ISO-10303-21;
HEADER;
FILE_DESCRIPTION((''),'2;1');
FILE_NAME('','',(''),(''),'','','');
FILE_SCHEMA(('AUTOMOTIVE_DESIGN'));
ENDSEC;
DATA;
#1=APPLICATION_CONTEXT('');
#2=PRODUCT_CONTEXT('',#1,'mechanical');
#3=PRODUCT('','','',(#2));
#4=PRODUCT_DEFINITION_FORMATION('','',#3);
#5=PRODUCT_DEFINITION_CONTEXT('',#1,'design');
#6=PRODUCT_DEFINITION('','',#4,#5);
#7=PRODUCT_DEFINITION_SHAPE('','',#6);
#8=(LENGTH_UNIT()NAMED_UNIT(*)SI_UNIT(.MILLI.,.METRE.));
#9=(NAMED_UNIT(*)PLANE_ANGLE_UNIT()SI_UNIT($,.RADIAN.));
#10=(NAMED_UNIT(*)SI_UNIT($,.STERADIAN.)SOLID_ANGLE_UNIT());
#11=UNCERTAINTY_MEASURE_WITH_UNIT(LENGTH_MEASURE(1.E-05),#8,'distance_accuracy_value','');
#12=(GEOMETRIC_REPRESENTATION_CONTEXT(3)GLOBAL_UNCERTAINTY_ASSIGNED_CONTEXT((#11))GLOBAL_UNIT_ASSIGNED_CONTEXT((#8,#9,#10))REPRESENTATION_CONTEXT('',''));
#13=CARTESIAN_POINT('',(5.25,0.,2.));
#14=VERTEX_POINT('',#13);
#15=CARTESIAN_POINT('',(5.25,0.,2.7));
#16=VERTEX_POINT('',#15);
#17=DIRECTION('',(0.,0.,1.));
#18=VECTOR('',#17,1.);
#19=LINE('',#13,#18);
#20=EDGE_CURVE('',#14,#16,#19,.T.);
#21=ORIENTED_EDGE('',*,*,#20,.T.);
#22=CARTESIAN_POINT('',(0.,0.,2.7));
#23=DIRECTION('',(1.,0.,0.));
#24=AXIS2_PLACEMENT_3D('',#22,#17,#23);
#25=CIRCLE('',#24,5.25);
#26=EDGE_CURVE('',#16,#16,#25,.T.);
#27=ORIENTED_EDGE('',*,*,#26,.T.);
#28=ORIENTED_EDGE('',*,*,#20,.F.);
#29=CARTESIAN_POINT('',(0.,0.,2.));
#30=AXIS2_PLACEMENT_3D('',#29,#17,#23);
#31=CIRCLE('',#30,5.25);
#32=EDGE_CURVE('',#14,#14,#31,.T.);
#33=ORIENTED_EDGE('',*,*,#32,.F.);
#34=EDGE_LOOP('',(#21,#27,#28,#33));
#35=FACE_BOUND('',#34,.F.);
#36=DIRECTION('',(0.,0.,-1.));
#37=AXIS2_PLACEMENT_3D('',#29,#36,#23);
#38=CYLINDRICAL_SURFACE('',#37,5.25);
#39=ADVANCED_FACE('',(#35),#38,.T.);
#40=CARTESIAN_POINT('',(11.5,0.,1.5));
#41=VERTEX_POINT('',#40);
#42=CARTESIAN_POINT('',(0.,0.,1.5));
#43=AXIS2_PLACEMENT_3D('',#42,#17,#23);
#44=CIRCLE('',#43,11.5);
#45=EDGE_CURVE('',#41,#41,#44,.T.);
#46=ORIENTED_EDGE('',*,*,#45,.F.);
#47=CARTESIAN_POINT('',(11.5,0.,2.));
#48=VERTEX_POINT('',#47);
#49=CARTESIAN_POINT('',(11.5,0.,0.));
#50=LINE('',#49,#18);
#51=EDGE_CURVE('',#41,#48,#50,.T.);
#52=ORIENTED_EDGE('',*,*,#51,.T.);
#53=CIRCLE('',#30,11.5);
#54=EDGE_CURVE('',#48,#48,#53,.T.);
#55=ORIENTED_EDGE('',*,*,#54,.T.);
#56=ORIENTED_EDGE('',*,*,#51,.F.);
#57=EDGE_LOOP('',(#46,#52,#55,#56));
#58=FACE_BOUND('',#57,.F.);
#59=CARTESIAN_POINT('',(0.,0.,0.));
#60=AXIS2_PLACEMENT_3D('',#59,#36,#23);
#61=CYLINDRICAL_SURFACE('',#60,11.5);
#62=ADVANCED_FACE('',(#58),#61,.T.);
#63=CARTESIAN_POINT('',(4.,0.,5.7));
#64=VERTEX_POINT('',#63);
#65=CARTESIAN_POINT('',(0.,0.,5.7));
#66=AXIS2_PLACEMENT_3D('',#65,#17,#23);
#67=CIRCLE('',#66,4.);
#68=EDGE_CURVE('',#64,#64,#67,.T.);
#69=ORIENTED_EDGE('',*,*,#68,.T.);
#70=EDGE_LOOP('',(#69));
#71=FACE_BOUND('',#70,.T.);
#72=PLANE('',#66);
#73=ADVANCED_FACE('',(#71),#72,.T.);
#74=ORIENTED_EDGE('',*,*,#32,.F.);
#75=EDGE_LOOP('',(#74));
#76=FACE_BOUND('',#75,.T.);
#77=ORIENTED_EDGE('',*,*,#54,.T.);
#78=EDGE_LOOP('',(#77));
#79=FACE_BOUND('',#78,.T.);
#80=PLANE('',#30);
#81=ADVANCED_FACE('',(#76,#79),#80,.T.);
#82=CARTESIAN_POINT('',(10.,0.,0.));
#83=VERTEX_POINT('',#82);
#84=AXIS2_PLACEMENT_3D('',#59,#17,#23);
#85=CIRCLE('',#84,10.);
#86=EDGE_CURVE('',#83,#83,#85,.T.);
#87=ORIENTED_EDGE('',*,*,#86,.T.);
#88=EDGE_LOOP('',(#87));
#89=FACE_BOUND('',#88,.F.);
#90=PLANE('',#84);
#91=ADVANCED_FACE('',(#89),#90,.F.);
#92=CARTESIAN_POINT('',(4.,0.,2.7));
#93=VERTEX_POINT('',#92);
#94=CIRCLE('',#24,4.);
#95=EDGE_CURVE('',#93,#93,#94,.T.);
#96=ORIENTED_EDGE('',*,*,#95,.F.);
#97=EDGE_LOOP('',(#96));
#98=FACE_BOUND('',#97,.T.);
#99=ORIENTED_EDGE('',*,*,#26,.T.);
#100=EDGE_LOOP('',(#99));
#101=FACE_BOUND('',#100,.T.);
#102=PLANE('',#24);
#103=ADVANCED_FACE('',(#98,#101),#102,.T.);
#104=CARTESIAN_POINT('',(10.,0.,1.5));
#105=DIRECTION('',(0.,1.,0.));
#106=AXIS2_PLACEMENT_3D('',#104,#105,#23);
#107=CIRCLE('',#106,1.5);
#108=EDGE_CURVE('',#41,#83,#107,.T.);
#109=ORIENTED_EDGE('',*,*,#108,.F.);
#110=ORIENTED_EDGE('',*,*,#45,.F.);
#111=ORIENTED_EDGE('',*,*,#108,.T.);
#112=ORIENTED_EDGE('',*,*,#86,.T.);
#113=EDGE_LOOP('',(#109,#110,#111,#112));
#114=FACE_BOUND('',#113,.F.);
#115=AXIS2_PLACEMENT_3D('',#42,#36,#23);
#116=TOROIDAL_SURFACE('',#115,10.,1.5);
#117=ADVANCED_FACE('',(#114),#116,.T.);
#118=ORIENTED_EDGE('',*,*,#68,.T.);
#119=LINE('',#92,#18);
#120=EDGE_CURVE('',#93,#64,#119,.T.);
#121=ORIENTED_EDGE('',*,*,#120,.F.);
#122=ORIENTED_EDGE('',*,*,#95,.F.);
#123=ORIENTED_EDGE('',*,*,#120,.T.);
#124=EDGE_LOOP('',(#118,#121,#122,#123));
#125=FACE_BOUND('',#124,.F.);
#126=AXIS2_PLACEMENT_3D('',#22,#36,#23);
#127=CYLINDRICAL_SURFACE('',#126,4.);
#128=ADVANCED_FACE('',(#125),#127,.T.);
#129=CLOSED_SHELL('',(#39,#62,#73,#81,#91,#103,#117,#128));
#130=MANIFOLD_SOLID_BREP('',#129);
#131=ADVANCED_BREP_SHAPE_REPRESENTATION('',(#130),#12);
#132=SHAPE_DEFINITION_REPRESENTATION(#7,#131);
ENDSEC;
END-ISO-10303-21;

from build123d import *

# Parameters (mm, degrees)
F0_R     = 11.5
F1_DEPTH = 2
F2_R     = 5.25
F3_DEPTH = 0.7
F4_R     = 4
F5_DEPTH = 3
F6_R     = 1.5


with BuildPart() as f1:
    # F0 (on Top) → F1 (new body)
    with BuildSketch(Plane.XY):
        Circle(F0_R)
    extrude(amount=F1_DEPTH)

    # F2 (on face) → F3 (join)
    with BuildSketch(Plane.XY.offset(2)):
        Circle(F2_R)
    extrude(amount=F3_DEPTH)

    # F4 (on face) → F5 (join)
    with BuildSketch(Plane.XY.offset(2.7)):
        Circle(F4_R)
    extrude(amount=F5_DEPTH)

    # F6
    f6_edges = [f1.edges().sort_by_distance(p)[0] for p in [
        (-11.5, 0, 0),
    ]]
    fillet(f6_edges, radius=F6_R)


solid = f1.part
